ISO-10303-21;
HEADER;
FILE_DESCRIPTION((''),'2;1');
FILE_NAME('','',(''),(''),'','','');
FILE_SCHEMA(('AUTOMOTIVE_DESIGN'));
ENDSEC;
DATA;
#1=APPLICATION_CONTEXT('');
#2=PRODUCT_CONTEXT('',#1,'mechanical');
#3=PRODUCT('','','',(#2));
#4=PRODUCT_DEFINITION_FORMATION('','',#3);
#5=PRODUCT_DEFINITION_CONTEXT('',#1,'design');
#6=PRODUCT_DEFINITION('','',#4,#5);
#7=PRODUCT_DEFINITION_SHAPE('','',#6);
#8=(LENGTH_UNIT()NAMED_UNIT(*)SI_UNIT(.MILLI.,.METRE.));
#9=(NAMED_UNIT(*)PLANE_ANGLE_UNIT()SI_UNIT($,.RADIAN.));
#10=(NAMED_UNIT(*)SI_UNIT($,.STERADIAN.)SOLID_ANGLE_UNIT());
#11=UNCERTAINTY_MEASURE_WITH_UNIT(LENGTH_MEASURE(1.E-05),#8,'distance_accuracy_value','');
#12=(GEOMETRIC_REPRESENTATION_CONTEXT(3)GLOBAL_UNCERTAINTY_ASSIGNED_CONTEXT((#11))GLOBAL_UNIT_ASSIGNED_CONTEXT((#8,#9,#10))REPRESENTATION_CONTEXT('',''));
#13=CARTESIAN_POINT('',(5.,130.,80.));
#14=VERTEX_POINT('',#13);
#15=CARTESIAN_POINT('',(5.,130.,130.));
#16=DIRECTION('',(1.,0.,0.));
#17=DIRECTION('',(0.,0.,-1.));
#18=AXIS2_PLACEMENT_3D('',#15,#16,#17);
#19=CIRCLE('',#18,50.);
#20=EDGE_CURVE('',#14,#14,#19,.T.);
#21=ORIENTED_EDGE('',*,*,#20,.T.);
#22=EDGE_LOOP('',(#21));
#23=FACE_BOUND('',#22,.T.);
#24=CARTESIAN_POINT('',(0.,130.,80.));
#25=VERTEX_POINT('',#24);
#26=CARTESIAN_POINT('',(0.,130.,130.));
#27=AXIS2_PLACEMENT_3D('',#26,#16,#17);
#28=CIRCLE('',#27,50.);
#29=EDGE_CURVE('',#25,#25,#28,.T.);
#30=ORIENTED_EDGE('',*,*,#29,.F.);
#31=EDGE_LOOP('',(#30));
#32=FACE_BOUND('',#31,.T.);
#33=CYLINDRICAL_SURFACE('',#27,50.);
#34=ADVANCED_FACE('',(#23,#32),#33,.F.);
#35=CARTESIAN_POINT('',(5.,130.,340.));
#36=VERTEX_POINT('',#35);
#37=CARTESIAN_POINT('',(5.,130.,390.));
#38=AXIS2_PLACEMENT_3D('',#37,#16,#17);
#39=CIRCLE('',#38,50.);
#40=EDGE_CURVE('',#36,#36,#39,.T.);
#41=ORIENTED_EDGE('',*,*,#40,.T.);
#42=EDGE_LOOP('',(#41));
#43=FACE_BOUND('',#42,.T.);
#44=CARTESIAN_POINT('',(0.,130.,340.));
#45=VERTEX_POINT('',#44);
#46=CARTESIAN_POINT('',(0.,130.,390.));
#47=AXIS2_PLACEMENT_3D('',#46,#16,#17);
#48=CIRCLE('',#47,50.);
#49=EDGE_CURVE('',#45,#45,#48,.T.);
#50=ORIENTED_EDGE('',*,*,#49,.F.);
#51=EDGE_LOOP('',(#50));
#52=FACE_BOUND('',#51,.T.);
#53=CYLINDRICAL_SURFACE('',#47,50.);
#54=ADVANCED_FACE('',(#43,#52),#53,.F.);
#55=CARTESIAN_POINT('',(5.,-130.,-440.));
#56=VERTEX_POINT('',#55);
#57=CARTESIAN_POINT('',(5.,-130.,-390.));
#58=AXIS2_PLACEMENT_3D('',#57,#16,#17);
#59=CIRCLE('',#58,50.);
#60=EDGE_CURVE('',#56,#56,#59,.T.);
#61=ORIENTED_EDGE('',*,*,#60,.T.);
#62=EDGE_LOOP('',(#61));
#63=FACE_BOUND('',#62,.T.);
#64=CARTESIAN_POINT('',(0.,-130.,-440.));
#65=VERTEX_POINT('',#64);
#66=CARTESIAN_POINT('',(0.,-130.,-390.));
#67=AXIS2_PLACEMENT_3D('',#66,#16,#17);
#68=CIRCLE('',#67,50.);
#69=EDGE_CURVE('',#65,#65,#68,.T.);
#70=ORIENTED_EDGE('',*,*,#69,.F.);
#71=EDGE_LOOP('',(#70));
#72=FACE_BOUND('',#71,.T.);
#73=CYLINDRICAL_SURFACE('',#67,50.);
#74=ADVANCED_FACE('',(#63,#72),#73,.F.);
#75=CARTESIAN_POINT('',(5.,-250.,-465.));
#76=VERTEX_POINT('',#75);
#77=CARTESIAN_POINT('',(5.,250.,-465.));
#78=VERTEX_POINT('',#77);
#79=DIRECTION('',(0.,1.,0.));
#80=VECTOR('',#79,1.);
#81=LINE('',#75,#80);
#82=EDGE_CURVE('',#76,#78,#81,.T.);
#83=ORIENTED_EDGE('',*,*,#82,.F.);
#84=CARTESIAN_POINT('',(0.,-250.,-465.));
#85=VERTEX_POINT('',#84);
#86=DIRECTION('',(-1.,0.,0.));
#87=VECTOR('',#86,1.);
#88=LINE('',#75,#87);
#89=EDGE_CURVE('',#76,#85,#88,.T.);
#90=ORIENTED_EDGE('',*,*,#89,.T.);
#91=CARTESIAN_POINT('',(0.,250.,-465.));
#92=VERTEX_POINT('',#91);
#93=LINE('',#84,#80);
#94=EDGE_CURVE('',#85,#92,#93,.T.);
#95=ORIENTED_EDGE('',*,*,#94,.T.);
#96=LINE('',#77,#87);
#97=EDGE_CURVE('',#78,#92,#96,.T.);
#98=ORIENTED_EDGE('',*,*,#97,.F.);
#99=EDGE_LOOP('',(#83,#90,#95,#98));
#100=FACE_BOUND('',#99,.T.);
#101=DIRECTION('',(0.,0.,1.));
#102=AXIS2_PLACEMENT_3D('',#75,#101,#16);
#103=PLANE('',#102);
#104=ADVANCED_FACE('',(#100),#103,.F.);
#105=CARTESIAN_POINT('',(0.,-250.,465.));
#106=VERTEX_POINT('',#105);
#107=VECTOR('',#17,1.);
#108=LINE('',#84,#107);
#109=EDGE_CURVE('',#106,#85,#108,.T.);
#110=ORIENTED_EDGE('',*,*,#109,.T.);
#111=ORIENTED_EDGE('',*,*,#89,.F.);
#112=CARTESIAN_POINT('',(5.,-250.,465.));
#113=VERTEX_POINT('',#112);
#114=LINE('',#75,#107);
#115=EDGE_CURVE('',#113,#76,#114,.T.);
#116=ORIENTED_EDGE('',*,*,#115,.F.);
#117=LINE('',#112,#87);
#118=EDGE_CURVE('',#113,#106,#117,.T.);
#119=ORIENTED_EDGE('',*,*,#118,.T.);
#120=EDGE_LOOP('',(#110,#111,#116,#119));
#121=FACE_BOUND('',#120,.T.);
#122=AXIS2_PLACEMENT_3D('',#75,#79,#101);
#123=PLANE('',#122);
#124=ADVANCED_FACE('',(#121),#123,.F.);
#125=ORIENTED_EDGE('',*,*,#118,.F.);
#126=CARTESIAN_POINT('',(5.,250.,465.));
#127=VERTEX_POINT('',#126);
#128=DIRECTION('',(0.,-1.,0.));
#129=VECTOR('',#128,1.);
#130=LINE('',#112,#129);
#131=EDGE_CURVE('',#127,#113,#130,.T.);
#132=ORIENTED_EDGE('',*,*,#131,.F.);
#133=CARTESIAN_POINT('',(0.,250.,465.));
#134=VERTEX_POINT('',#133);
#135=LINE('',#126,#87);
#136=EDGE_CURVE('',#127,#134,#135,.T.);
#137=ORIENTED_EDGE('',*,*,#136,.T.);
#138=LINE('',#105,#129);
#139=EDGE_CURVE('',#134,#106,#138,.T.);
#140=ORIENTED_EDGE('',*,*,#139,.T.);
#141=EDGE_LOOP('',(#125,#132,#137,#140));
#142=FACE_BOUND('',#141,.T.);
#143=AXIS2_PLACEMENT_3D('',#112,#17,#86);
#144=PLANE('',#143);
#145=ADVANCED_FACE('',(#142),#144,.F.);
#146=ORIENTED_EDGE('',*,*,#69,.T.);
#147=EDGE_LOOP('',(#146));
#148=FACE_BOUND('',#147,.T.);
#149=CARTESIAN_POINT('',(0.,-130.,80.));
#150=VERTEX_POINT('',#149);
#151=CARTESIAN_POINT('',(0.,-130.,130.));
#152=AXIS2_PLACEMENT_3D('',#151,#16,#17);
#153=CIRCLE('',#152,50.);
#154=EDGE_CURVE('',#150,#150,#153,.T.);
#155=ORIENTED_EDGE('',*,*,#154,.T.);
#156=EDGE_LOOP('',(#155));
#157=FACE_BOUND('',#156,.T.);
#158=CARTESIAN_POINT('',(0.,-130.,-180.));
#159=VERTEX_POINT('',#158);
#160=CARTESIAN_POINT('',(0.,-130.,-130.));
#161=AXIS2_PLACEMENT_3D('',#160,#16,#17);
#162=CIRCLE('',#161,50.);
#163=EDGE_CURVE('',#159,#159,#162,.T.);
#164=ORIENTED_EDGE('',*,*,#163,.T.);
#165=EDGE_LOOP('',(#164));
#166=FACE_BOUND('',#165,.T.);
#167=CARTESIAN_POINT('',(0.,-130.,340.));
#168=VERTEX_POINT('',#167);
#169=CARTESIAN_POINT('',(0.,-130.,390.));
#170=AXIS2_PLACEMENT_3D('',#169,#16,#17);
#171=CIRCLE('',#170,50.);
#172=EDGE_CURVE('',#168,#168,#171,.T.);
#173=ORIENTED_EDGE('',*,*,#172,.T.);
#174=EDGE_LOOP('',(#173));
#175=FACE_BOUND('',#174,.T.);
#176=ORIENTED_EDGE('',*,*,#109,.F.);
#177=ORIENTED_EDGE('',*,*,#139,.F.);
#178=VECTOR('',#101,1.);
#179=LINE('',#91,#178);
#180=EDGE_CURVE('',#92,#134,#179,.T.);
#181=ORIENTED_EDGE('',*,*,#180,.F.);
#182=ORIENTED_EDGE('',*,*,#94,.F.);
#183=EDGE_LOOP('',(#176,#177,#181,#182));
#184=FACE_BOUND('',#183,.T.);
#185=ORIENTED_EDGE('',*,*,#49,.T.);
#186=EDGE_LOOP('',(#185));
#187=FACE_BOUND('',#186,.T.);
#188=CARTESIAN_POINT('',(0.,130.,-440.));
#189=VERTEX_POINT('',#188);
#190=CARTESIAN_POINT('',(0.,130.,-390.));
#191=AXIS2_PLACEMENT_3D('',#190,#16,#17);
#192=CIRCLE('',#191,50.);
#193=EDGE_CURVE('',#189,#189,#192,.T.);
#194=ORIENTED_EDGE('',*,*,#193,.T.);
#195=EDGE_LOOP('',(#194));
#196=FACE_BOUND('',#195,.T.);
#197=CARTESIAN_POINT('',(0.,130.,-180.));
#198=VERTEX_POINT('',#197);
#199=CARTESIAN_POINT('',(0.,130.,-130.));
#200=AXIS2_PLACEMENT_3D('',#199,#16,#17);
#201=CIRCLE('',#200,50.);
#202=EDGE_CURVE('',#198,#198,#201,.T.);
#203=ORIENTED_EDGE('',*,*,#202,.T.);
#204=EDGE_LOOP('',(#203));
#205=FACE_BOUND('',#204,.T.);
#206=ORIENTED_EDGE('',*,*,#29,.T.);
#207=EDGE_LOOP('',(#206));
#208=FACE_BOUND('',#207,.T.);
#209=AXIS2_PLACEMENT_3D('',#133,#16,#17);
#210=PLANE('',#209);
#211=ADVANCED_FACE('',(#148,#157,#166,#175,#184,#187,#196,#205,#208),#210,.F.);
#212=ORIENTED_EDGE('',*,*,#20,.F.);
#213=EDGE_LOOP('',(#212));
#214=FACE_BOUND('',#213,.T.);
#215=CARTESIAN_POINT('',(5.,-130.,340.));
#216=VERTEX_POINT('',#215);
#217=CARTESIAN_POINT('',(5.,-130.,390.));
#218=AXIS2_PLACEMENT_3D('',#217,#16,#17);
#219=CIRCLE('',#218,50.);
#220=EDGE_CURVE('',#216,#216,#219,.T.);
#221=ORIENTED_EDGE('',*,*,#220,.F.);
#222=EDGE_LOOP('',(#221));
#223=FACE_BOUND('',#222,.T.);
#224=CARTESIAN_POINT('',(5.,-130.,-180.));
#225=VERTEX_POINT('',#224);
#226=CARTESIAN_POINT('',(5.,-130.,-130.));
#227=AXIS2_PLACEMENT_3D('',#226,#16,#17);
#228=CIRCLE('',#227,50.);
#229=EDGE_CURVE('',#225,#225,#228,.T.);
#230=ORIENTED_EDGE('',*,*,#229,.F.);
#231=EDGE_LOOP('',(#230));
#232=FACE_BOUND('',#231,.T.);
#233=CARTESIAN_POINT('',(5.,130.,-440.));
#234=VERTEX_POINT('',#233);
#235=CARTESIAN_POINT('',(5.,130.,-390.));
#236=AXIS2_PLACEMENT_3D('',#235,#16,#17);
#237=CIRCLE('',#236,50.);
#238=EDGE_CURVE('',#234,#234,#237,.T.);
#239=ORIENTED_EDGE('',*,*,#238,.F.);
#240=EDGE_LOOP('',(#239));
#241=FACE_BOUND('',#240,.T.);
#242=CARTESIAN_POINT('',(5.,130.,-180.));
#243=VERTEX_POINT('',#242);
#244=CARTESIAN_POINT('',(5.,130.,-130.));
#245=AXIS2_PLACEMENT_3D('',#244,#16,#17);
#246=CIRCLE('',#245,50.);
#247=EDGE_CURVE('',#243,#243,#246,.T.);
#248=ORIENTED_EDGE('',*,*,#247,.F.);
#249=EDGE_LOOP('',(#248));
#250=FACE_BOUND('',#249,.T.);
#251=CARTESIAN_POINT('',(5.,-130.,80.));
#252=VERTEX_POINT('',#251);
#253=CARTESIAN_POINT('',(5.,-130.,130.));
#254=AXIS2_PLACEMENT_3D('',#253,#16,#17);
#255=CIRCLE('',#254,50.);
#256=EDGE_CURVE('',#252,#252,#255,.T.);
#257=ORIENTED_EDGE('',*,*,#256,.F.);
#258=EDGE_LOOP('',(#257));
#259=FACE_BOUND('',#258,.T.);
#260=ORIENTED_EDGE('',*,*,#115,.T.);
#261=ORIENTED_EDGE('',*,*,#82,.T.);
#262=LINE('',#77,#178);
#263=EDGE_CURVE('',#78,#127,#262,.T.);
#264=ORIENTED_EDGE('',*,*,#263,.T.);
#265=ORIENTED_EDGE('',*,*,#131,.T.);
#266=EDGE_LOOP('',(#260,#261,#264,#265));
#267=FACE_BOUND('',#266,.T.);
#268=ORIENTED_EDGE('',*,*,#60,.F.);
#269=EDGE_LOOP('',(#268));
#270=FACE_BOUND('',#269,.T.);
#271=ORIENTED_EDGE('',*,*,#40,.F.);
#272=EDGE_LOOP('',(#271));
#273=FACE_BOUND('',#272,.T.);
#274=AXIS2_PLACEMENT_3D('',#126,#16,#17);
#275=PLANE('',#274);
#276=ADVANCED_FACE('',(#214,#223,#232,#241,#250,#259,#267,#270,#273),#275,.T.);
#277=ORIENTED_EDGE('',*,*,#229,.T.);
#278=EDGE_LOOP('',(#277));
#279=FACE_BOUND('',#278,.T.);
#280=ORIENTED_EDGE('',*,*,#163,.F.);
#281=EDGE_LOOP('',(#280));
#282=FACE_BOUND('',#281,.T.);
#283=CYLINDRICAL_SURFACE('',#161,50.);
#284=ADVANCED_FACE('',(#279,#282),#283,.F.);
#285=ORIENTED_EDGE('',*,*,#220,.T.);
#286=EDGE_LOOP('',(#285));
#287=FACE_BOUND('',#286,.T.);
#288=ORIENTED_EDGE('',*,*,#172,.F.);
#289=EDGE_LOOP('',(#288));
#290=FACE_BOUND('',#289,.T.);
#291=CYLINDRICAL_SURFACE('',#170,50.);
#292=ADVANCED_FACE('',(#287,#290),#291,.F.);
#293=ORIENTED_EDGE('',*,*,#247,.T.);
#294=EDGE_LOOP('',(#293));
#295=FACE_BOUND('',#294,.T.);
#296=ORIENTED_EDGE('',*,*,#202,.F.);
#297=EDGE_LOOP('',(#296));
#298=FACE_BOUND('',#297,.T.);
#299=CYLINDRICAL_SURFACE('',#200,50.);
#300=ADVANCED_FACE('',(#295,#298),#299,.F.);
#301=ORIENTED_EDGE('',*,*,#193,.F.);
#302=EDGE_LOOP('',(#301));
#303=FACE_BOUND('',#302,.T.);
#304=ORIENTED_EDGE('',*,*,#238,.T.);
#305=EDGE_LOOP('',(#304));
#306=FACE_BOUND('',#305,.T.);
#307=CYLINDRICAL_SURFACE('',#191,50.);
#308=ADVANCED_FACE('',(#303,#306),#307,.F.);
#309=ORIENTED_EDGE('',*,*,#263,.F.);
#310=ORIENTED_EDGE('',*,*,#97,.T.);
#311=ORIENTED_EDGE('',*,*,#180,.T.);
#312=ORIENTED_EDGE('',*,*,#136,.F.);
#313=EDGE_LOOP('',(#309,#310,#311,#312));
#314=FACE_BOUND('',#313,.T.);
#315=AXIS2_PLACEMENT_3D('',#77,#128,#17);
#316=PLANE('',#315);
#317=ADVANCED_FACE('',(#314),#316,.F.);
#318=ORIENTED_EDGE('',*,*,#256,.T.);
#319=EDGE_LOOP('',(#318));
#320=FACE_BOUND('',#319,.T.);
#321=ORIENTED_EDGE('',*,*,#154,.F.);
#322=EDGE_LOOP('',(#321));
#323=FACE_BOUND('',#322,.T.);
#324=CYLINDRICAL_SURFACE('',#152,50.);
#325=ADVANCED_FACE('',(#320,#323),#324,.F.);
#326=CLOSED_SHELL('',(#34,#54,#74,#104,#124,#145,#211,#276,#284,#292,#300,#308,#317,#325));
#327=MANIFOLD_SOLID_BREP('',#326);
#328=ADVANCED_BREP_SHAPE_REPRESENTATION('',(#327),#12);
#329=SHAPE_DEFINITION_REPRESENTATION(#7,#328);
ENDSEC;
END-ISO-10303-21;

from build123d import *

# Parameters (mm, degrees)
CROQUIS1_W     = 930
CROQUIS1_H     = 500
EXTRUIR1_DEPTH = 5
CROQUIS3_R     = 50
EXTRUIR2_DEPTH = 528.967802049


with BuildPart() as part:
    # Croquis1 → Extruir1 (new body)
    with BuildSketch(Plane(origin=(0, 0, 0), x_dir=(0, 0, -1), z_dir=(1, 0, 0))):
        Rectangle(CROQUIS1_W, CROQUIS1_H)
    extrude(amount=EXTRUIR1_DEPTH)

    # Croquis3 → Extruir2 (cut, through all)
    with BuildSketch(Plane(origin=(5, 0, 0), x_dir=(0, 0, -1), z_dir=(1, 0, 0))):
        with Locations((-390, 390)):
            Circle(CROQUIS3_R)
        with Locations((-130, 390)):
            Circle(CROQUIS3_R)
        with Locations((130, 390)):
            Circle(CROQUIS3_R)
        with Locations((390, 390)):
            Circle(CROQUIS3_R)
        with Locations((-390, 130)):
            Circle(CROQUIS3_R)
        with Locations((-130, 130)):
            Circle(CROQUIS3_R)
        with Locations((130, 130)):
            Circle(CROQUIS3_R)
        with Locations((390, 130)):
            Circle(CROQUIS3_R)
        with Locations((-390, -130)):
            Circle(CROQUIS3_R)
        with Locations((-130, -130)):
            Circle(CROQUIS3_R)
        with Locations((130, -130)):
            Circle(CROQUIS3_R)
        with Locations((390, -130)):
            Circle(CROQUIS3_R)
        with Locations((-390, -390)):
            Circle(CROQUIS3_R)
        with Locations((-130, -390)):
            Circle(CROQUIS3_R)
        with Locations((130, -390)):
            Circle(CROQUIS3_R)
        with Locations((390, -390)):
            Circle(CROQUIS3_R)
    extrude(amount=-EXTRUIR2_DEPTH, mode=Mode.SUBTRACT)


solid = part.part
